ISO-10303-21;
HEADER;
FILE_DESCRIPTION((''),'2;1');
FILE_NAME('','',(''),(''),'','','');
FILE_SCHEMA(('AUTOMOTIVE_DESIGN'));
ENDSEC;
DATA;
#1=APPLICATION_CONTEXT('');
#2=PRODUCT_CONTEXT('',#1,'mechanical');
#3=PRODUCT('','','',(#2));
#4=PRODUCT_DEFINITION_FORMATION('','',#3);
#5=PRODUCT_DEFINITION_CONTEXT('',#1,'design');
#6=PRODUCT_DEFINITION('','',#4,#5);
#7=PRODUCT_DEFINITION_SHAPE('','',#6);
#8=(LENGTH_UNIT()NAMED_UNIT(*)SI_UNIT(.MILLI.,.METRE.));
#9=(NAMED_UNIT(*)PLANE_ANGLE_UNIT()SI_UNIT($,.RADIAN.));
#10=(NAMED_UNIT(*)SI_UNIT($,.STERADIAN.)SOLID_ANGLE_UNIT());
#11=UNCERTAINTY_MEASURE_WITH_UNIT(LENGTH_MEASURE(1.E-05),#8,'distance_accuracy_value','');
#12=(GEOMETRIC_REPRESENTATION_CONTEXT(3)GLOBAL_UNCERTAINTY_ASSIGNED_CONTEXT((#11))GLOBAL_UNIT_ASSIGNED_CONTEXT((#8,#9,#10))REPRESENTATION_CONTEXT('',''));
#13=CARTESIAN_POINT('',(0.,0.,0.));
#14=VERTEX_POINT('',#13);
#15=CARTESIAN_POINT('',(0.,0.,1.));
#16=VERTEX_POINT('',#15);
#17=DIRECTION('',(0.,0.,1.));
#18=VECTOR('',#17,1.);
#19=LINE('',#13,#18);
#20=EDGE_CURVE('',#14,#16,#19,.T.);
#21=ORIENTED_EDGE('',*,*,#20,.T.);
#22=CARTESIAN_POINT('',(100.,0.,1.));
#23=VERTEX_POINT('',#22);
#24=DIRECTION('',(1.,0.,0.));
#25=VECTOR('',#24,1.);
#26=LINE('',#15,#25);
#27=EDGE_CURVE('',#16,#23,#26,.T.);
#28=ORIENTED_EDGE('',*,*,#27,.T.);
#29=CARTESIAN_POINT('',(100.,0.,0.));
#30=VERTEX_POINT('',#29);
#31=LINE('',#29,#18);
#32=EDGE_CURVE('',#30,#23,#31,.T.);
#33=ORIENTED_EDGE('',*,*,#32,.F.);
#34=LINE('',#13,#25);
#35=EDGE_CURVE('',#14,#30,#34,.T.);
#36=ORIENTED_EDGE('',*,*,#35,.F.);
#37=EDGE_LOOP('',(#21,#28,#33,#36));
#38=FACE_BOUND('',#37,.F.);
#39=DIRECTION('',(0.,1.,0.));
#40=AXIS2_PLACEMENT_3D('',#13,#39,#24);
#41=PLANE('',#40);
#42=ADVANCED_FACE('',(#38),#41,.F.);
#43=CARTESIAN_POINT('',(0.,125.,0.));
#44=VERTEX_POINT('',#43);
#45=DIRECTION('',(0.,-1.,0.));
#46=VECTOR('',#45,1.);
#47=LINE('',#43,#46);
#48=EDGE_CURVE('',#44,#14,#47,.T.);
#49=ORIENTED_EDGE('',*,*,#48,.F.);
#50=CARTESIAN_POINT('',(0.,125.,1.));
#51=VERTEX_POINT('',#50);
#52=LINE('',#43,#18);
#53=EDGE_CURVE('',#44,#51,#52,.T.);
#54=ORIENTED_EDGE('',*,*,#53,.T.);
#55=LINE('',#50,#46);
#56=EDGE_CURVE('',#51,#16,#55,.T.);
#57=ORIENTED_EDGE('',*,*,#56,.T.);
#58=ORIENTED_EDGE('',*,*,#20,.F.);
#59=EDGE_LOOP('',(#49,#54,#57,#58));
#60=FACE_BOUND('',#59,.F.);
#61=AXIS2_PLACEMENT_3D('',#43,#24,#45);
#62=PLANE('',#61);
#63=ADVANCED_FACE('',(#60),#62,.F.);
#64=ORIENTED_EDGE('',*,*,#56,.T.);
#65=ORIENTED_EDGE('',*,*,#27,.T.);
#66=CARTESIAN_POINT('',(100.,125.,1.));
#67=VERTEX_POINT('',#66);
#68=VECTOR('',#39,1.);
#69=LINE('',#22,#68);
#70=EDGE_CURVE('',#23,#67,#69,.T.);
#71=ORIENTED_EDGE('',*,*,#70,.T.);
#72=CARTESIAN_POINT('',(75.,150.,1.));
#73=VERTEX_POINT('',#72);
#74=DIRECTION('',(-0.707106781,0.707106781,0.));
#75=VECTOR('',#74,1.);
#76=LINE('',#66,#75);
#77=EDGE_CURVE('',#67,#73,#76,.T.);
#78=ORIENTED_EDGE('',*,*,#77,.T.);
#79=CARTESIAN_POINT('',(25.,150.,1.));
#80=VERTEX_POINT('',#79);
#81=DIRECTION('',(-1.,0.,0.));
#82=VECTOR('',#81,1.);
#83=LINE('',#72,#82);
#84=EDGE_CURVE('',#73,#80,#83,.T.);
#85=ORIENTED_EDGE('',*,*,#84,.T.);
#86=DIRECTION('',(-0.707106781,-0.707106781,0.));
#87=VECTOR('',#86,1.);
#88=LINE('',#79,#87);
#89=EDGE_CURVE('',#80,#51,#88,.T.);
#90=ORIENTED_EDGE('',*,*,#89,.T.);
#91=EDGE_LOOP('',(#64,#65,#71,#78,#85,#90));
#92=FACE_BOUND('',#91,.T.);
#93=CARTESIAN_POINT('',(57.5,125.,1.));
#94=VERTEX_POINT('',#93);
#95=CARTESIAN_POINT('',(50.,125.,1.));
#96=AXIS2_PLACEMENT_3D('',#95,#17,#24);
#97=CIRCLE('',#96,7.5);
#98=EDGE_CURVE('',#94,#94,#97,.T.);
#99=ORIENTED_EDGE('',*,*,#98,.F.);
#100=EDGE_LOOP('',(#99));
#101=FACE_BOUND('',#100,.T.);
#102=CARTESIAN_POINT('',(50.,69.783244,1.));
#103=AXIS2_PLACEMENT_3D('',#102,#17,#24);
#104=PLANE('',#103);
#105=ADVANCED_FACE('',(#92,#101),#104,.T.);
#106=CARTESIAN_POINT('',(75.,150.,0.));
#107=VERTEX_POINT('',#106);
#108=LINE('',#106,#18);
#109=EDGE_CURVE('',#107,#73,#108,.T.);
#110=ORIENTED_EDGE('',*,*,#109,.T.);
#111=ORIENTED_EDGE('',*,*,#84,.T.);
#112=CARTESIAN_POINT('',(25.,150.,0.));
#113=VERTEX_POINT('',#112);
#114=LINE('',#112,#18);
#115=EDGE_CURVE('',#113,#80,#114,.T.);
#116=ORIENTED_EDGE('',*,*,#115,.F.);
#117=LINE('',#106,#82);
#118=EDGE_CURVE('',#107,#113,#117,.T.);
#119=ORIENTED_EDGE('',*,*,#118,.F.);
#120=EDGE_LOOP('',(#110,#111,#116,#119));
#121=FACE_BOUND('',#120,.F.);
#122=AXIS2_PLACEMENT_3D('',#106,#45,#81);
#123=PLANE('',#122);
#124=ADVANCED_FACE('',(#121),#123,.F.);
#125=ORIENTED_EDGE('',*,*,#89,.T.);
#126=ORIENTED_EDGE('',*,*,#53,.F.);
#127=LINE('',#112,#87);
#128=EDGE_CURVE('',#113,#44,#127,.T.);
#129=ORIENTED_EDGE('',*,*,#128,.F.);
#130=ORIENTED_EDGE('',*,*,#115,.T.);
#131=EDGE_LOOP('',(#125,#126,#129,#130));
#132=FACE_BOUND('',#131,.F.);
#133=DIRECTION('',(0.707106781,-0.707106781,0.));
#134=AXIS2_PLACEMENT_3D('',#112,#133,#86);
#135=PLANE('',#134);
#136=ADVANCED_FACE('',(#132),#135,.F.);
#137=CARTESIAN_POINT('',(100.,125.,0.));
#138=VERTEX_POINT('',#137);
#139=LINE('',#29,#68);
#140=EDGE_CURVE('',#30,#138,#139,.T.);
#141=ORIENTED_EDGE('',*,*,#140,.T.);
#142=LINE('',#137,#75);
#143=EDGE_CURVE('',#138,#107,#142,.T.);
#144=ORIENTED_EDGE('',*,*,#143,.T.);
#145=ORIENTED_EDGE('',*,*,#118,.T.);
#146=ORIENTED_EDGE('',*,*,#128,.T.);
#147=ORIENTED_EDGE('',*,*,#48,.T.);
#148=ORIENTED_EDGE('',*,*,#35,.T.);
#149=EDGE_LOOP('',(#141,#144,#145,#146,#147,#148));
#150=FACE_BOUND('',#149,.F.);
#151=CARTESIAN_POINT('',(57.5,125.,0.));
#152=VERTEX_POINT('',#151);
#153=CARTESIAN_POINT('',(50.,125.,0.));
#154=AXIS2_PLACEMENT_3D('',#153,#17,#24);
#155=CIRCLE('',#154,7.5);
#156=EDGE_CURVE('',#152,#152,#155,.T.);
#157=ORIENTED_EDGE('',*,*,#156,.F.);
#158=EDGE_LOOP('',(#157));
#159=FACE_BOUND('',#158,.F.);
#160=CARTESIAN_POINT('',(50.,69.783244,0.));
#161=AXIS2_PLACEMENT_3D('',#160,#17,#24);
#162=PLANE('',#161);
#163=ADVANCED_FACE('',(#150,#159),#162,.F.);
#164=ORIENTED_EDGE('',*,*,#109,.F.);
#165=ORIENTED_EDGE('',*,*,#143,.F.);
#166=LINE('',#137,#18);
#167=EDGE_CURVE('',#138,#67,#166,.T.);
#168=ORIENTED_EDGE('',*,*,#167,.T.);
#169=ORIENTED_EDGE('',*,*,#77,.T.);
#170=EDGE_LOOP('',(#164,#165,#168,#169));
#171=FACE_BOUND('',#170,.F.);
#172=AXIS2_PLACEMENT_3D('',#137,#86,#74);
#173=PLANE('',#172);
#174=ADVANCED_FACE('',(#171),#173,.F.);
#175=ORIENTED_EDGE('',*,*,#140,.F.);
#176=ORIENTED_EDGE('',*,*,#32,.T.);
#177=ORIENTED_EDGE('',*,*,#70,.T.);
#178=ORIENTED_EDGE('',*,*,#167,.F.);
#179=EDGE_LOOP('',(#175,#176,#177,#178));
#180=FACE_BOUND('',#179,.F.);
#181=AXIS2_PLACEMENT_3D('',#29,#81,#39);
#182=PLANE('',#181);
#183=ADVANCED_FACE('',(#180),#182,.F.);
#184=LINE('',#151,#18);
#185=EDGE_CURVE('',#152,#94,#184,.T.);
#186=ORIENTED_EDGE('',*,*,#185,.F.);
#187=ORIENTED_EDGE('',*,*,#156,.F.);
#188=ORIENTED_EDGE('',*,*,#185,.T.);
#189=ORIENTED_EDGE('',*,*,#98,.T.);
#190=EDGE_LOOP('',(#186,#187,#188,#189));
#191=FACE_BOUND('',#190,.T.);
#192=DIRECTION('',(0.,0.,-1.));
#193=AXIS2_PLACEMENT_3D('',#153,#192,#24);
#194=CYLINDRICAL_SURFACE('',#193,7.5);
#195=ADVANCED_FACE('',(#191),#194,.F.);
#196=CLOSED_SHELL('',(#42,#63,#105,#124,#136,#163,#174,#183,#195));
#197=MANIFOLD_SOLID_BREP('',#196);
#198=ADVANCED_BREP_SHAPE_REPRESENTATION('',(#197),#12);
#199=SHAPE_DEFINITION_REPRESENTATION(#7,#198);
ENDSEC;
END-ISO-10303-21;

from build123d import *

# Parameters (mm, degrees)
F0_R     = 7.5
F1_DEPTH = 1


with BuildPart() as f1:
    # F0 (on Top) → F1 (new body)
    with BuildSketch(Plane.XY):
        Polygon((0, 125), (0, 0), (100, 0), (100, 125), (75, 150), (25, 150), align=None)
        with Locations((50, 125)):
            Circle(F0_R, mode=Mode.SUBTRACT)
    extrude(amount=F1_DEPTH)


solid = f1.part
